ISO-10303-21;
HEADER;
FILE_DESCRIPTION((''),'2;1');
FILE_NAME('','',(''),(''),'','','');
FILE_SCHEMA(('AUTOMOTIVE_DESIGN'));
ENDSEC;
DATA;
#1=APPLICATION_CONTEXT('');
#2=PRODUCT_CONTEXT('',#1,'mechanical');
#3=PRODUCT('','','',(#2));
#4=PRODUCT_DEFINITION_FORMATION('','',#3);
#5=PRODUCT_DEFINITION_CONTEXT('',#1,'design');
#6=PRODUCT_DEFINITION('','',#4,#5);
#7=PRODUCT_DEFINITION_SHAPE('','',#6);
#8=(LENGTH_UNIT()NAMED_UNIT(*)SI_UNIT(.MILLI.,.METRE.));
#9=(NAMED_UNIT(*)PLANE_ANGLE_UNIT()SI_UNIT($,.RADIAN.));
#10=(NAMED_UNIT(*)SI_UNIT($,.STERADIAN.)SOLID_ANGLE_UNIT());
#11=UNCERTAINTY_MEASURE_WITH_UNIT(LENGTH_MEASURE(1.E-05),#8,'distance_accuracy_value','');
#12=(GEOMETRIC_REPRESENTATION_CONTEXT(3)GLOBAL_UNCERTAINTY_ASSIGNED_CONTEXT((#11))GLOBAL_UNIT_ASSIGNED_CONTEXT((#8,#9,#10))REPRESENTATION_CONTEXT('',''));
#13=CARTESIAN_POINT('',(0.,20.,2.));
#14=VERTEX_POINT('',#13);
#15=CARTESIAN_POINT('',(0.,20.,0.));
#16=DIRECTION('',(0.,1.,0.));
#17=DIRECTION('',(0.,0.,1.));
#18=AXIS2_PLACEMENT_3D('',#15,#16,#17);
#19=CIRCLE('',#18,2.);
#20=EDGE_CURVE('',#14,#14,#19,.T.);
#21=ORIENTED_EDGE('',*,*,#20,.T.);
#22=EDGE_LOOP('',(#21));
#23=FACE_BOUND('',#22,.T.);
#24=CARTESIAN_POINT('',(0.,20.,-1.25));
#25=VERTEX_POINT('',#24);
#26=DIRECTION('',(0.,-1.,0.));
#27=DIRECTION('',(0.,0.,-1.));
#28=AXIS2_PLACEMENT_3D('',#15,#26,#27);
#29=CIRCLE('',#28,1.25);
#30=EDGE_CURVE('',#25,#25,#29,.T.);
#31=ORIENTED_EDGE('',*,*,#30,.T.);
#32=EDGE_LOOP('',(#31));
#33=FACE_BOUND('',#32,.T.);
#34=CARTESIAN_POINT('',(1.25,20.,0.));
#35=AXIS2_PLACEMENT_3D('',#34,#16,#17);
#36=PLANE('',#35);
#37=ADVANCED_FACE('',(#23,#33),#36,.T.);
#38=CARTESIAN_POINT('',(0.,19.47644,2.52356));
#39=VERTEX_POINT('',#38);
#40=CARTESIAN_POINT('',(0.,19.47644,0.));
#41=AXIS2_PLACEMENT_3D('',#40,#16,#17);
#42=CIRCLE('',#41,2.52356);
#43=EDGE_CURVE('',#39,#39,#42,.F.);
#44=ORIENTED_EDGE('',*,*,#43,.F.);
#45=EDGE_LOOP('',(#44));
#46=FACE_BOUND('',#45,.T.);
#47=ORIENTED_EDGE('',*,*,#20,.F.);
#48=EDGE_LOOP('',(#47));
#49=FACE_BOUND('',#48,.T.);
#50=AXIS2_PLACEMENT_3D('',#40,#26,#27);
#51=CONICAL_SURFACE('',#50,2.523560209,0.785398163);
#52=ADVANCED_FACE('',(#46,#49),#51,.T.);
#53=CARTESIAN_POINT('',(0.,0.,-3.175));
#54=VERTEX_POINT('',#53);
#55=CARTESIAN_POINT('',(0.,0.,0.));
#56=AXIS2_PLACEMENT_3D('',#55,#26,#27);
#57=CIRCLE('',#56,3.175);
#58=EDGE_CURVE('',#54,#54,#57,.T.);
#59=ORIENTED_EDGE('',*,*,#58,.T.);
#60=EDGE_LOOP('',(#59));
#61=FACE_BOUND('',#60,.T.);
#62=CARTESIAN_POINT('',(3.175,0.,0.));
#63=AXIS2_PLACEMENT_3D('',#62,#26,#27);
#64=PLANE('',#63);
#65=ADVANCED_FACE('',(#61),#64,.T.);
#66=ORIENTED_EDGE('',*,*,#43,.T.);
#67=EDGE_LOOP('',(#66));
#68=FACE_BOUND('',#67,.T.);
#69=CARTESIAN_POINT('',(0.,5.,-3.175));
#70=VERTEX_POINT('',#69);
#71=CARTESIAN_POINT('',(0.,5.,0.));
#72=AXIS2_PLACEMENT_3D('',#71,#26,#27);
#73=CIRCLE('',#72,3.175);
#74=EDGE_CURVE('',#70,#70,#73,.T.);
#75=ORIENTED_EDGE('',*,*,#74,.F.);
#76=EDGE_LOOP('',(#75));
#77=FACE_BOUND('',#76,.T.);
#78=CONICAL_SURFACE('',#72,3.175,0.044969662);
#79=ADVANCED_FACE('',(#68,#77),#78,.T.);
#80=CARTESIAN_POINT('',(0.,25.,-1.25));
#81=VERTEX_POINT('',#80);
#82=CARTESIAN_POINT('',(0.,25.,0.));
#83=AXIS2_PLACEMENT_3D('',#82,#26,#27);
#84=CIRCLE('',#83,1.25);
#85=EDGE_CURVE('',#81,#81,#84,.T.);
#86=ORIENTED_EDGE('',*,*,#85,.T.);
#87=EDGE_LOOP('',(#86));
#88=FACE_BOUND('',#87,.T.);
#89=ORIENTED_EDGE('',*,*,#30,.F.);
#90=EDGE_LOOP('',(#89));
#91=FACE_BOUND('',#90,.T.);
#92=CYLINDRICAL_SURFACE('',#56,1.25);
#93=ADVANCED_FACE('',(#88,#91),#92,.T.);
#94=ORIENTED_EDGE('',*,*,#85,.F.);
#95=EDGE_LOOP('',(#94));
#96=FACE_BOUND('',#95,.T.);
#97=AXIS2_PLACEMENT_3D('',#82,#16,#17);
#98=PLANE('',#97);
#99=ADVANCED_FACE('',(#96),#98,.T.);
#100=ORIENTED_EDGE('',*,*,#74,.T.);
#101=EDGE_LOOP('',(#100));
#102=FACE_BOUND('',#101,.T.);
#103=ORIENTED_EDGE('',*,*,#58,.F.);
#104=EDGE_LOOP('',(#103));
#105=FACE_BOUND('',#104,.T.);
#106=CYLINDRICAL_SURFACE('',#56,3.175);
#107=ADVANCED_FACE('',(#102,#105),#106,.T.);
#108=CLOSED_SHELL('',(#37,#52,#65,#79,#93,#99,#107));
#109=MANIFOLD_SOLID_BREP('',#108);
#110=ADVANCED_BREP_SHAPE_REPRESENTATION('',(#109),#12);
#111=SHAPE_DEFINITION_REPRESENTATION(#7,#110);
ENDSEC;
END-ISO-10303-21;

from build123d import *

# Parameters (mm, degrees)
CHAMFER3_SIZE  = 0.5
CHAMFER3_SIZE2 = 0.524090046


with BuildPart() as part:
    # Sketch4 → Revolve1 (revolve)
    with BuildSketch(Plane.XY, mode=Mode.PRIVATE) as revolve1_sk:
        Polygon((0, 0), (0, 20), (0, 25), (1.25, 25), (1.25, 20), (2.5, 20), (3.175, 5), (3.175, 0), align=None)
    revolve(revolve1_sk.sketch.rotate(Axis((0, 0, 0), (0, 1, 0)), 90), axis=Axis((0, 0, 0), (0, 1, 0)))

    # Chamfer3
    chamfer3_edges = [part.edges().sort_by_distance(p)[0] for p in [
        (0, 20, 2.5),
    ]]
    chamfer3_side = [part.faces().sort_by_distance(p)[0] for p in [
        (0, 20, 1.320710678),
    ]]
    chamfer(chamfer3_edges, length=CHAMFER3_SIZE, length2=CHAMFER3_SIZE2, reference=chamfer3_side[0])


solid = part.part
